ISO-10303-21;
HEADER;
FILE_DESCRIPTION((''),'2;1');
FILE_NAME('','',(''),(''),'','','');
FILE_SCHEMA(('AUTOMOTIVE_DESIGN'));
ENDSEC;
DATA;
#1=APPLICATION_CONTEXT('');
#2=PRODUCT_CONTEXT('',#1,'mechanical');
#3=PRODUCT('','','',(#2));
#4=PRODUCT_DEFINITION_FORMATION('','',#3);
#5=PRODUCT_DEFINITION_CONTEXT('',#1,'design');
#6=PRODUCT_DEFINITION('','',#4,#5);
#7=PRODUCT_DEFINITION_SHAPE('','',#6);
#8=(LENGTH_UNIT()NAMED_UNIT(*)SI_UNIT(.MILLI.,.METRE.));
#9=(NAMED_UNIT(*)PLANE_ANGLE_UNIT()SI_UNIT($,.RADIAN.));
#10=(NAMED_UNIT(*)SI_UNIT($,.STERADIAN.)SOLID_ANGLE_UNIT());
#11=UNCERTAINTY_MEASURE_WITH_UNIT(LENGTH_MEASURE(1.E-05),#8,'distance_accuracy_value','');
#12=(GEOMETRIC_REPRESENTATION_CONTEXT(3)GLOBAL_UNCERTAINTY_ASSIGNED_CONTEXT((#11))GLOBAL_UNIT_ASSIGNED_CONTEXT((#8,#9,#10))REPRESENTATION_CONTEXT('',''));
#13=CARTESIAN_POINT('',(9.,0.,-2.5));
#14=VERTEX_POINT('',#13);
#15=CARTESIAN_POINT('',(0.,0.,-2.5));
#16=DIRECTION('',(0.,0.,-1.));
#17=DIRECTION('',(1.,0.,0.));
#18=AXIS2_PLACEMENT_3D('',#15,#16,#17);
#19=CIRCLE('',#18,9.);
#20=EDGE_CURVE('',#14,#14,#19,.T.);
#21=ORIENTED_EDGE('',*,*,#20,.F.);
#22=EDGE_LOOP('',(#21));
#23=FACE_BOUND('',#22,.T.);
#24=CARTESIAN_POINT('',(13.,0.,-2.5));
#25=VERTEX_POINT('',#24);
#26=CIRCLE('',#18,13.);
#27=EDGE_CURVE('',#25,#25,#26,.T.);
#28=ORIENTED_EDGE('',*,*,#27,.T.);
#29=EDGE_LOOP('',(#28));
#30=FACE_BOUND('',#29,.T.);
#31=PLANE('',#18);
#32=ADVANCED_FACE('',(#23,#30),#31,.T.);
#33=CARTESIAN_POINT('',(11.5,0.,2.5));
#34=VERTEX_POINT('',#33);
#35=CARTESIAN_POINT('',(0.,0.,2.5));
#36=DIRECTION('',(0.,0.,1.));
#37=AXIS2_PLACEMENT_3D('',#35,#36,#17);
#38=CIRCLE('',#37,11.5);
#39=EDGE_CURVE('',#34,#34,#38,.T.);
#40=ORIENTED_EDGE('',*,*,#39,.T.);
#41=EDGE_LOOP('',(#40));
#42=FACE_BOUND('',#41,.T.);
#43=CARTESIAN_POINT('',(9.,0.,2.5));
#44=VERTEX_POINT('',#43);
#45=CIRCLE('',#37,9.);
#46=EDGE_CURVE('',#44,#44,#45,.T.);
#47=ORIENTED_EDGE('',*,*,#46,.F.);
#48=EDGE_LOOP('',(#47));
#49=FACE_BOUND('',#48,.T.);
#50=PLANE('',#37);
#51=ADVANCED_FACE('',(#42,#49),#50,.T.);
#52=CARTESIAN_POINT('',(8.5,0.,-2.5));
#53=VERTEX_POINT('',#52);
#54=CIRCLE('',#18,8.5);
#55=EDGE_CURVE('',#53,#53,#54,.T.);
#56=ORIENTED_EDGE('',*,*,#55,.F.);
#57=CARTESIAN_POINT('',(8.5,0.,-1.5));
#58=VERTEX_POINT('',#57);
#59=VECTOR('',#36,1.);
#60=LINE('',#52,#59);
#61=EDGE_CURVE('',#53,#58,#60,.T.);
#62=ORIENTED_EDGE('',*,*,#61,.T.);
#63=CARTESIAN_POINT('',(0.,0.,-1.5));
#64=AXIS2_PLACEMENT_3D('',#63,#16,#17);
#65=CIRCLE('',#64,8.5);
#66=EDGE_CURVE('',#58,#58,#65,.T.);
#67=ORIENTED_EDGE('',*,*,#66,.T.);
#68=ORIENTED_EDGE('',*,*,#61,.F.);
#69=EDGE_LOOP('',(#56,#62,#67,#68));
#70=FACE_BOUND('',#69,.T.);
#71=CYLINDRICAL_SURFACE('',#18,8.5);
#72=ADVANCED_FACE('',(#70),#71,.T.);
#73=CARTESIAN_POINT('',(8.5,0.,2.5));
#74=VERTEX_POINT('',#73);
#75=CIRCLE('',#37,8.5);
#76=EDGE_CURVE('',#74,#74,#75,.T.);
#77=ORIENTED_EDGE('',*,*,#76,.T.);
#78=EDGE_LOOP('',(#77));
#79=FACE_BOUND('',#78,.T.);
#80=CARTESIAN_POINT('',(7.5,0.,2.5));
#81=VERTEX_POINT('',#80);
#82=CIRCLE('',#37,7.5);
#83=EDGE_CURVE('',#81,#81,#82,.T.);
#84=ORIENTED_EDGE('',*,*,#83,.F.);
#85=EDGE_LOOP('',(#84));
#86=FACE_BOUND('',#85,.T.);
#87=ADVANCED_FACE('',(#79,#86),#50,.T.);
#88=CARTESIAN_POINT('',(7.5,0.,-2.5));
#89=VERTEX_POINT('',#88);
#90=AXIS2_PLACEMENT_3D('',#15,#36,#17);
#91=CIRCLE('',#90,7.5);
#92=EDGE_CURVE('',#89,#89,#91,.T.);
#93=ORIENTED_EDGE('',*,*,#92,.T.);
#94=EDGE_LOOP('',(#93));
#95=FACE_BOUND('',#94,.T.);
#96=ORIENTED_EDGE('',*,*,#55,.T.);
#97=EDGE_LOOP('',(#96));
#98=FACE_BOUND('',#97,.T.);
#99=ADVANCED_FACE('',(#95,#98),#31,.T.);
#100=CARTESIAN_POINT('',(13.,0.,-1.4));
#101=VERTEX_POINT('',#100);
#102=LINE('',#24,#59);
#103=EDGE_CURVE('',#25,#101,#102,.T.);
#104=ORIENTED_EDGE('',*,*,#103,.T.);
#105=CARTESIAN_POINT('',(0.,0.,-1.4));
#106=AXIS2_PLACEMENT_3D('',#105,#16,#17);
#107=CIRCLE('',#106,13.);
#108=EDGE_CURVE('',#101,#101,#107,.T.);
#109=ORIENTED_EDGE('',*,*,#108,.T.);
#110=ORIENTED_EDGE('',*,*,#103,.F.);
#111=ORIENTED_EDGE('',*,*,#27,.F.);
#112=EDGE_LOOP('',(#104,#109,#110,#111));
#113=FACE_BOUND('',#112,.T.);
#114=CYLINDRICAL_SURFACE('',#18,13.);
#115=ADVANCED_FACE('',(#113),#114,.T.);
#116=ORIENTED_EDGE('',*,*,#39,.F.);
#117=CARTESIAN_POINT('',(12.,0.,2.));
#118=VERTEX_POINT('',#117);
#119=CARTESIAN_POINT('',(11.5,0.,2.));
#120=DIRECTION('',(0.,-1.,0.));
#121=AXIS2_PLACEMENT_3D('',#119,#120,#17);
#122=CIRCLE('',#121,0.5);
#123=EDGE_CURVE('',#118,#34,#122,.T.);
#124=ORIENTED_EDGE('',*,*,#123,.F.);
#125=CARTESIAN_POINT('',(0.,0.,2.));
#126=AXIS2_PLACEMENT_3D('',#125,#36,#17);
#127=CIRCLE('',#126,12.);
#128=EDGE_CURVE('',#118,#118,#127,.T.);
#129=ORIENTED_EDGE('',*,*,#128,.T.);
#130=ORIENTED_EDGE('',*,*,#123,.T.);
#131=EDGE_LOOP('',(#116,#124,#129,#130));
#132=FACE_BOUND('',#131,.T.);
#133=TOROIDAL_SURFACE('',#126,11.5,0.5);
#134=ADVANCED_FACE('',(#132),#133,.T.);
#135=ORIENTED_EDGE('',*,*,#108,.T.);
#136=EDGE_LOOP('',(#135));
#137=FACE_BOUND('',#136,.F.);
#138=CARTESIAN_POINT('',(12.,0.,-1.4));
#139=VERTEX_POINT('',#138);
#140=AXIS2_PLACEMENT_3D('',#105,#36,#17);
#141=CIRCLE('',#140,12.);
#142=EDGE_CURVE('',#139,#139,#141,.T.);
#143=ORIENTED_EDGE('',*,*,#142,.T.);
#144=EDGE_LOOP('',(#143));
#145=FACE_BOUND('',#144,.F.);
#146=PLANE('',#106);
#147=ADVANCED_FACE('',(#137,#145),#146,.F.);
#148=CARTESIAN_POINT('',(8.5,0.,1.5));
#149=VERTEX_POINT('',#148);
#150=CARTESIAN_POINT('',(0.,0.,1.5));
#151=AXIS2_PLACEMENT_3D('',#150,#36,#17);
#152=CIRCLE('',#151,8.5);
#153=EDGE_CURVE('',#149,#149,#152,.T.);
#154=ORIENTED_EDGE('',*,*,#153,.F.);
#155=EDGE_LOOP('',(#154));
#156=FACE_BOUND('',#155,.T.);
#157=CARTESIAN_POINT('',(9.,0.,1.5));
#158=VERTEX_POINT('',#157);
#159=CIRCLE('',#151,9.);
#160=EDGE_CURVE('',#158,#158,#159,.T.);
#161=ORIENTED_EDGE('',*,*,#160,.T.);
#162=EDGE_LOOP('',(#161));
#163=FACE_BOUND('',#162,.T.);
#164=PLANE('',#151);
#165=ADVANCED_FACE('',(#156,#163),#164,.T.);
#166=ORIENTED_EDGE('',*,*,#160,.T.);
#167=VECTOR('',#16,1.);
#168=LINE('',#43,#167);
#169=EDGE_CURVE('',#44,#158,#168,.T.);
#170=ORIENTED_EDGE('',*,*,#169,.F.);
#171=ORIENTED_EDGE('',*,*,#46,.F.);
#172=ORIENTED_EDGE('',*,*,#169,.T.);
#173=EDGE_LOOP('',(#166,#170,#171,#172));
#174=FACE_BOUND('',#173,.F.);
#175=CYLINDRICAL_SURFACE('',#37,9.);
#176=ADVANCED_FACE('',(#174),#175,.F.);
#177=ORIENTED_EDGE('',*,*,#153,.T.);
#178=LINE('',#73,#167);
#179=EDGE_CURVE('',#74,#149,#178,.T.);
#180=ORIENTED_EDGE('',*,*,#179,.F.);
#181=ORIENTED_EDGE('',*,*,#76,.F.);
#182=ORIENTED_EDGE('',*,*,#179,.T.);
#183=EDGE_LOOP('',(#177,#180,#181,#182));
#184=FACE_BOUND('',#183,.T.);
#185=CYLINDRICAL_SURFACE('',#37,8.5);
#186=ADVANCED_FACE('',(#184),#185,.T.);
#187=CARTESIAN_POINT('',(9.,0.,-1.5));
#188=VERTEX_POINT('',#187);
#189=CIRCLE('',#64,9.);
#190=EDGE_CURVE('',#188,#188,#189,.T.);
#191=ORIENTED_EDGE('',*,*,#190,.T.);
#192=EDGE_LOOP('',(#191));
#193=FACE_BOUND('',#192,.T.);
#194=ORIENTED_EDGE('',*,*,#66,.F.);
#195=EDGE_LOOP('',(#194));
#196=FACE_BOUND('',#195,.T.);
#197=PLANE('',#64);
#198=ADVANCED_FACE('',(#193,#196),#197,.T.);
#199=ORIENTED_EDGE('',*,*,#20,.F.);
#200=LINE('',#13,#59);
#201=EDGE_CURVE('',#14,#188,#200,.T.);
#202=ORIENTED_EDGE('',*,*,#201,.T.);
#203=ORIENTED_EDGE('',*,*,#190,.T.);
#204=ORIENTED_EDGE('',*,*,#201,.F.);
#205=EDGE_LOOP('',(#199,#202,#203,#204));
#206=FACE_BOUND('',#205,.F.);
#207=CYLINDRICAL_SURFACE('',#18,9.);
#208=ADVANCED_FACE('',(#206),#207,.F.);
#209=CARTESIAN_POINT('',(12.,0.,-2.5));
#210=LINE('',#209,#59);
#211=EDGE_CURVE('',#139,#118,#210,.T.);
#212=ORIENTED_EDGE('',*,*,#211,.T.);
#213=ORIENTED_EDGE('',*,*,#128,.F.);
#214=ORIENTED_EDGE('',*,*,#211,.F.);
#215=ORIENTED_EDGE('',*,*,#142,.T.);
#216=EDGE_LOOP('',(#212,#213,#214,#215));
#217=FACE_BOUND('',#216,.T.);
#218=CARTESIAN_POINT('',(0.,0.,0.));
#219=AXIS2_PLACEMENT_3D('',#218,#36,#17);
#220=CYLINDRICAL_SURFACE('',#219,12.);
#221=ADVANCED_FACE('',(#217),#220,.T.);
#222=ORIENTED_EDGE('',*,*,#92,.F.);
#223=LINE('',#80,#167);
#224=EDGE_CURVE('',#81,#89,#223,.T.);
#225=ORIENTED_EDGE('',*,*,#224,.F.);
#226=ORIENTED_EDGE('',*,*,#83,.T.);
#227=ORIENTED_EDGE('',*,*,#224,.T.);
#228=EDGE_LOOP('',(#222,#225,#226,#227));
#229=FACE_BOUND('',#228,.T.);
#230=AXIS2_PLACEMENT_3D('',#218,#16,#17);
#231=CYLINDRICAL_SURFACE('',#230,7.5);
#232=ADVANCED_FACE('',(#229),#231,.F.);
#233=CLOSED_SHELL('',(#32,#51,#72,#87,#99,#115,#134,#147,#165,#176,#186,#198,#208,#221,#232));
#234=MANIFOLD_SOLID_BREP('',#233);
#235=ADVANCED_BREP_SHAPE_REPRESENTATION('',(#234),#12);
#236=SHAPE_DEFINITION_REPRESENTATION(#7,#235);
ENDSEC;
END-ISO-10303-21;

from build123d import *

# Parameters (mm, degrees)
F0_R     = 12
F0_R_2   = 7.5
F1_DEPTH = 2.5
F2_R     = 0.5
F3_R     = 13
F3_R_2   = 10
F4_DEPTH = 1.1
F5_R     = 9
F5_R_2   = 8.5
F6_DEPTH = 1
F7_R     = 9
F7_R_2   = 8.5
F8_DEPTH = 1


with BuildPart() as f1:
    # F0 (on Top) → F1 (new body, symmetric)
    with BuildSketch(Plane.XY):
        Circle(F0_R)
        Circle(F0_R_2, mode=Mode.SUBTRACT)
    extrude(amount=F1_DEPTH, both=True)

    # F2
    f2_edges = [f1.edges().sort_by_distance(p)[0] for p in [
        (-12, 0, 2.5),
    ]]
    fillet(f2_edges, radius=F2_R)

    # F3 (on face) → F4 (join)
    with BuildSketch(Plane(origin=(0, 0, -2.5), x_dir=(1, 0, 0), z_dir=(0, 0, -1))):
        Circle(F3_R)
        Circle(F3_R_2, mode=Mode.SUBTRACT)
    extrude(amount=-F4_DEPTH)

    # F5 (on face) → F6 (cut)
    with BuildSketch(Plane(origin=(0, 0, -2.5), x_dir=(1, 0, 0), z_dir=(0, 0, -1))):
        Circle(F5_R)
        Circle(F5_R_2, mode=Mode.SUBTRACT)
    extrude(amount=-F6_DEPTH, mode=Mode.SUBTRACT)

    # F7 (on face) → F8 (cut)
    with BuildSketch(Plane.XY.offset(2.5)):
        Circle(F7_R)
        Circle(F7_R_2, mode=Mode.SUBTRACT)
    extrude(amount=-F8_DEPTH, mode=Mode.SUBTRACT)


solid = f1.part
